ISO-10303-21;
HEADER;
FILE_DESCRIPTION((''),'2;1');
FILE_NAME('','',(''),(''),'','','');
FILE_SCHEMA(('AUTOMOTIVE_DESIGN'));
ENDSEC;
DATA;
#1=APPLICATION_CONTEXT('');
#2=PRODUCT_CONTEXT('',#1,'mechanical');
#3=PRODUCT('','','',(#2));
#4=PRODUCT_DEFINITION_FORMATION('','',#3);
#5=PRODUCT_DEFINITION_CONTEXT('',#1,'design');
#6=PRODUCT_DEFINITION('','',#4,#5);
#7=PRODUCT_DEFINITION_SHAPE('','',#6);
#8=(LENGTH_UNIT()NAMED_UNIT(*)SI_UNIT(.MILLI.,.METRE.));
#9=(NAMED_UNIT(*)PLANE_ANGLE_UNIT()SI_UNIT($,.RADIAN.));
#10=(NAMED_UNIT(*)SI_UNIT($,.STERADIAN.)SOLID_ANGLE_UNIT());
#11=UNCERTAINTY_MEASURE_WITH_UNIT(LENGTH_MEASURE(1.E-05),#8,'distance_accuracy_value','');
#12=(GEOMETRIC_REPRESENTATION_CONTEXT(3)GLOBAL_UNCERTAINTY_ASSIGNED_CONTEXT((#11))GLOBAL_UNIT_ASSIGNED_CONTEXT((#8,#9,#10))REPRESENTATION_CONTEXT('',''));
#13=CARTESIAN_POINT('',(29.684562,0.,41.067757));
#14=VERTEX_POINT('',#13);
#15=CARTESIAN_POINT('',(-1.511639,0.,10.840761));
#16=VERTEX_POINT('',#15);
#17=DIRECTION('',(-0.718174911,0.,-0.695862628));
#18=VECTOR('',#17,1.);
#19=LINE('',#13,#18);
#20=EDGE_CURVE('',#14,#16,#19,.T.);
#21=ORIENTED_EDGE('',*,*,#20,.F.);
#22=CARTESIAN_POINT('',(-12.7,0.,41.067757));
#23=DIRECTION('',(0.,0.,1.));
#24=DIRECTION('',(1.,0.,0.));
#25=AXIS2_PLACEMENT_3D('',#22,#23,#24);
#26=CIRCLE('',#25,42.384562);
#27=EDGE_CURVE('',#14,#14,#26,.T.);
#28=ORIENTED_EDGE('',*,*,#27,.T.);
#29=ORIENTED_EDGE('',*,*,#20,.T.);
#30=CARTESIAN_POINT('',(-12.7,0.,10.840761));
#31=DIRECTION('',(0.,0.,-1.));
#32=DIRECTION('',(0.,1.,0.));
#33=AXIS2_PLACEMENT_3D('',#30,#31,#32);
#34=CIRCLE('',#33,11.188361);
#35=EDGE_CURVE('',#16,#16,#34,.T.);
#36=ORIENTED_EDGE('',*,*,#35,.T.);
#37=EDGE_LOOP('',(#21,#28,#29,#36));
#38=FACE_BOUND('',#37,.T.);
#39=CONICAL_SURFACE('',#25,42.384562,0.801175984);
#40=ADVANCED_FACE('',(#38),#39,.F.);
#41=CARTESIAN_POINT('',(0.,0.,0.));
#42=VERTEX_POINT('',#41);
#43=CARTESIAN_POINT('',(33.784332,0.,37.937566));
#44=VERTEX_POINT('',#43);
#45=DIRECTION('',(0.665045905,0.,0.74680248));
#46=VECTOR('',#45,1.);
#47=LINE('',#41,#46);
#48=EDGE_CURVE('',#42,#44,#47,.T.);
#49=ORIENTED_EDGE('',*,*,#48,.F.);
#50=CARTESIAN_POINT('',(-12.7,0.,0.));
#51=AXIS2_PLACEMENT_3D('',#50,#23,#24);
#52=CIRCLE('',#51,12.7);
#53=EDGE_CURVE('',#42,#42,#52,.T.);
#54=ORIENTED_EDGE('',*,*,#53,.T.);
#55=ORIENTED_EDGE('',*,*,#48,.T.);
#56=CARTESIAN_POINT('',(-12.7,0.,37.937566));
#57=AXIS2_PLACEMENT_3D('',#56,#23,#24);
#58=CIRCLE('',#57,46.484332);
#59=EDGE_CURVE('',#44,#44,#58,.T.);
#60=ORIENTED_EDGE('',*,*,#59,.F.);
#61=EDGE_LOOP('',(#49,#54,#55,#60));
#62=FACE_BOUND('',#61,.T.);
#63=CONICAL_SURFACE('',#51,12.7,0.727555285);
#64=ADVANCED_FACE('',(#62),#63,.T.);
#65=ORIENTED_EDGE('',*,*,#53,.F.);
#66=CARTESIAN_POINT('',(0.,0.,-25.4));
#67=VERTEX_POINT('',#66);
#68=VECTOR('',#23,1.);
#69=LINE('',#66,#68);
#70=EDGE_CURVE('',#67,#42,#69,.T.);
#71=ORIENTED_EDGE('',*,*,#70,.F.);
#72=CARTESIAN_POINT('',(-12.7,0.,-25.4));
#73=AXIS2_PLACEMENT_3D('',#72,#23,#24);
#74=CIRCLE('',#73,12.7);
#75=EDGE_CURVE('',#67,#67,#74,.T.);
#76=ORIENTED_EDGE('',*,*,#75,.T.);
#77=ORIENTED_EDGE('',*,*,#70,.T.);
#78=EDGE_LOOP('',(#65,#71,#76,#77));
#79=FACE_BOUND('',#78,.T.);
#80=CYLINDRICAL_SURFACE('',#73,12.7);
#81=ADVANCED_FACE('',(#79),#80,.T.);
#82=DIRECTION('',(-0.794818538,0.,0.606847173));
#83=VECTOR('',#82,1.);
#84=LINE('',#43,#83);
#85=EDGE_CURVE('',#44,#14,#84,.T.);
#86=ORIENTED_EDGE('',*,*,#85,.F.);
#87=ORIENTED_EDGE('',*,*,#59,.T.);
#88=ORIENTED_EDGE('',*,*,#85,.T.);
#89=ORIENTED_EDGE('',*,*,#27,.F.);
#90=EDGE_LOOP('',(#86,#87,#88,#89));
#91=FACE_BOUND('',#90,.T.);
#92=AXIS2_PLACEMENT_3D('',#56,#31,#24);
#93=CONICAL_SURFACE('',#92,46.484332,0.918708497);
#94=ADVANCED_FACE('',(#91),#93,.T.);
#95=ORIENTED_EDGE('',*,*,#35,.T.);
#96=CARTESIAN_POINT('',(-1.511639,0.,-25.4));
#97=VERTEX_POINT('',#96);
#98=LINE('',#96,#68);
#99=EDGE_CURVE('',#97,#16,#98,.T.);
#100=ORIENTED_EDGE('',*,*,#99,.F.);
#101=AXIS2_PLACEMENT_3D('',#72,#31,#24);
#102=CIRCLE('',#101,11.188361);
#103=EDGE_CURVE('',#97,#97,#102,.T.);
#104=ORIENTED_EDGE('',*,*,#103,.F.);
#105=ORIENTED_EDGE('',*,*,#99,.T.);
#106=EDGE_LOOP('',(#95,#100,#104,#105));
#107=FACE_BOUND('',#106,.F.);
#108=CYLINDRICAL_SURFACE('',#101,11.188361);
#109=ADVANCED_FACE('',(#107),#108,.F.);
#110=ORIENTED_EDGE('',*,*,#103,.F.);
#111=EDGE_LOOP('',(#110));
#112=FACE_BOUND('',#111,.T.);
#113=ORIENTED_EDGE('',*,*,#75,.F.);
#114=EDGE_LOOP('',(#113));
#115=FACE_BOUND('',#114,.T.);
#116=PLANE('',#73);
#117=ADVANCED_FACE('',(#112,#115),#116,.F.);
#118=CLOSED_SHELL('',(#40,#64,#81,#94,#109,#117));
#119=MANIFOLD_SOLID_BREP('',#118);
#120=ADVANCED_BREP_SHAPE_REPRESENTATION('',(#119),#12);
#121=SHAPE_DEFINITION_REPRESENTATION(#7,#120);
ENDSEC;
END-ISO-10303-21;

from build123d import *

# Parameters (mm, degrees)
F2_R     = 11.188361
F3_DEPTH = 76.2


with BuildPart() as f1:
    # F0 (on Front) → F1 (revolve)
    with BuildSketch(Plane.XZ):
        Polygon((0, 0), (33.784332, 37.937566), (29.684562, 41.067757), (-12.7, 0), (-12.7, -25.4), (0, -25.4), align=None)
    revolve(axis=Axis((-12.7, 0, -12.7), (0, 0, 1)))

    # F2 (on face) → F3 (cut)
    with BuildSketch(Plane(origin=(0, 0, -25.4), x_dir=(1, 0, 0), z_dir=(0, 0, -1))):
        with Locations((-12.7, 0)):
            Circle(F2_R)
    extrude(amount=-F3_DEPTH, mode=Mode.SUBTRACT)


solid = f1.part
